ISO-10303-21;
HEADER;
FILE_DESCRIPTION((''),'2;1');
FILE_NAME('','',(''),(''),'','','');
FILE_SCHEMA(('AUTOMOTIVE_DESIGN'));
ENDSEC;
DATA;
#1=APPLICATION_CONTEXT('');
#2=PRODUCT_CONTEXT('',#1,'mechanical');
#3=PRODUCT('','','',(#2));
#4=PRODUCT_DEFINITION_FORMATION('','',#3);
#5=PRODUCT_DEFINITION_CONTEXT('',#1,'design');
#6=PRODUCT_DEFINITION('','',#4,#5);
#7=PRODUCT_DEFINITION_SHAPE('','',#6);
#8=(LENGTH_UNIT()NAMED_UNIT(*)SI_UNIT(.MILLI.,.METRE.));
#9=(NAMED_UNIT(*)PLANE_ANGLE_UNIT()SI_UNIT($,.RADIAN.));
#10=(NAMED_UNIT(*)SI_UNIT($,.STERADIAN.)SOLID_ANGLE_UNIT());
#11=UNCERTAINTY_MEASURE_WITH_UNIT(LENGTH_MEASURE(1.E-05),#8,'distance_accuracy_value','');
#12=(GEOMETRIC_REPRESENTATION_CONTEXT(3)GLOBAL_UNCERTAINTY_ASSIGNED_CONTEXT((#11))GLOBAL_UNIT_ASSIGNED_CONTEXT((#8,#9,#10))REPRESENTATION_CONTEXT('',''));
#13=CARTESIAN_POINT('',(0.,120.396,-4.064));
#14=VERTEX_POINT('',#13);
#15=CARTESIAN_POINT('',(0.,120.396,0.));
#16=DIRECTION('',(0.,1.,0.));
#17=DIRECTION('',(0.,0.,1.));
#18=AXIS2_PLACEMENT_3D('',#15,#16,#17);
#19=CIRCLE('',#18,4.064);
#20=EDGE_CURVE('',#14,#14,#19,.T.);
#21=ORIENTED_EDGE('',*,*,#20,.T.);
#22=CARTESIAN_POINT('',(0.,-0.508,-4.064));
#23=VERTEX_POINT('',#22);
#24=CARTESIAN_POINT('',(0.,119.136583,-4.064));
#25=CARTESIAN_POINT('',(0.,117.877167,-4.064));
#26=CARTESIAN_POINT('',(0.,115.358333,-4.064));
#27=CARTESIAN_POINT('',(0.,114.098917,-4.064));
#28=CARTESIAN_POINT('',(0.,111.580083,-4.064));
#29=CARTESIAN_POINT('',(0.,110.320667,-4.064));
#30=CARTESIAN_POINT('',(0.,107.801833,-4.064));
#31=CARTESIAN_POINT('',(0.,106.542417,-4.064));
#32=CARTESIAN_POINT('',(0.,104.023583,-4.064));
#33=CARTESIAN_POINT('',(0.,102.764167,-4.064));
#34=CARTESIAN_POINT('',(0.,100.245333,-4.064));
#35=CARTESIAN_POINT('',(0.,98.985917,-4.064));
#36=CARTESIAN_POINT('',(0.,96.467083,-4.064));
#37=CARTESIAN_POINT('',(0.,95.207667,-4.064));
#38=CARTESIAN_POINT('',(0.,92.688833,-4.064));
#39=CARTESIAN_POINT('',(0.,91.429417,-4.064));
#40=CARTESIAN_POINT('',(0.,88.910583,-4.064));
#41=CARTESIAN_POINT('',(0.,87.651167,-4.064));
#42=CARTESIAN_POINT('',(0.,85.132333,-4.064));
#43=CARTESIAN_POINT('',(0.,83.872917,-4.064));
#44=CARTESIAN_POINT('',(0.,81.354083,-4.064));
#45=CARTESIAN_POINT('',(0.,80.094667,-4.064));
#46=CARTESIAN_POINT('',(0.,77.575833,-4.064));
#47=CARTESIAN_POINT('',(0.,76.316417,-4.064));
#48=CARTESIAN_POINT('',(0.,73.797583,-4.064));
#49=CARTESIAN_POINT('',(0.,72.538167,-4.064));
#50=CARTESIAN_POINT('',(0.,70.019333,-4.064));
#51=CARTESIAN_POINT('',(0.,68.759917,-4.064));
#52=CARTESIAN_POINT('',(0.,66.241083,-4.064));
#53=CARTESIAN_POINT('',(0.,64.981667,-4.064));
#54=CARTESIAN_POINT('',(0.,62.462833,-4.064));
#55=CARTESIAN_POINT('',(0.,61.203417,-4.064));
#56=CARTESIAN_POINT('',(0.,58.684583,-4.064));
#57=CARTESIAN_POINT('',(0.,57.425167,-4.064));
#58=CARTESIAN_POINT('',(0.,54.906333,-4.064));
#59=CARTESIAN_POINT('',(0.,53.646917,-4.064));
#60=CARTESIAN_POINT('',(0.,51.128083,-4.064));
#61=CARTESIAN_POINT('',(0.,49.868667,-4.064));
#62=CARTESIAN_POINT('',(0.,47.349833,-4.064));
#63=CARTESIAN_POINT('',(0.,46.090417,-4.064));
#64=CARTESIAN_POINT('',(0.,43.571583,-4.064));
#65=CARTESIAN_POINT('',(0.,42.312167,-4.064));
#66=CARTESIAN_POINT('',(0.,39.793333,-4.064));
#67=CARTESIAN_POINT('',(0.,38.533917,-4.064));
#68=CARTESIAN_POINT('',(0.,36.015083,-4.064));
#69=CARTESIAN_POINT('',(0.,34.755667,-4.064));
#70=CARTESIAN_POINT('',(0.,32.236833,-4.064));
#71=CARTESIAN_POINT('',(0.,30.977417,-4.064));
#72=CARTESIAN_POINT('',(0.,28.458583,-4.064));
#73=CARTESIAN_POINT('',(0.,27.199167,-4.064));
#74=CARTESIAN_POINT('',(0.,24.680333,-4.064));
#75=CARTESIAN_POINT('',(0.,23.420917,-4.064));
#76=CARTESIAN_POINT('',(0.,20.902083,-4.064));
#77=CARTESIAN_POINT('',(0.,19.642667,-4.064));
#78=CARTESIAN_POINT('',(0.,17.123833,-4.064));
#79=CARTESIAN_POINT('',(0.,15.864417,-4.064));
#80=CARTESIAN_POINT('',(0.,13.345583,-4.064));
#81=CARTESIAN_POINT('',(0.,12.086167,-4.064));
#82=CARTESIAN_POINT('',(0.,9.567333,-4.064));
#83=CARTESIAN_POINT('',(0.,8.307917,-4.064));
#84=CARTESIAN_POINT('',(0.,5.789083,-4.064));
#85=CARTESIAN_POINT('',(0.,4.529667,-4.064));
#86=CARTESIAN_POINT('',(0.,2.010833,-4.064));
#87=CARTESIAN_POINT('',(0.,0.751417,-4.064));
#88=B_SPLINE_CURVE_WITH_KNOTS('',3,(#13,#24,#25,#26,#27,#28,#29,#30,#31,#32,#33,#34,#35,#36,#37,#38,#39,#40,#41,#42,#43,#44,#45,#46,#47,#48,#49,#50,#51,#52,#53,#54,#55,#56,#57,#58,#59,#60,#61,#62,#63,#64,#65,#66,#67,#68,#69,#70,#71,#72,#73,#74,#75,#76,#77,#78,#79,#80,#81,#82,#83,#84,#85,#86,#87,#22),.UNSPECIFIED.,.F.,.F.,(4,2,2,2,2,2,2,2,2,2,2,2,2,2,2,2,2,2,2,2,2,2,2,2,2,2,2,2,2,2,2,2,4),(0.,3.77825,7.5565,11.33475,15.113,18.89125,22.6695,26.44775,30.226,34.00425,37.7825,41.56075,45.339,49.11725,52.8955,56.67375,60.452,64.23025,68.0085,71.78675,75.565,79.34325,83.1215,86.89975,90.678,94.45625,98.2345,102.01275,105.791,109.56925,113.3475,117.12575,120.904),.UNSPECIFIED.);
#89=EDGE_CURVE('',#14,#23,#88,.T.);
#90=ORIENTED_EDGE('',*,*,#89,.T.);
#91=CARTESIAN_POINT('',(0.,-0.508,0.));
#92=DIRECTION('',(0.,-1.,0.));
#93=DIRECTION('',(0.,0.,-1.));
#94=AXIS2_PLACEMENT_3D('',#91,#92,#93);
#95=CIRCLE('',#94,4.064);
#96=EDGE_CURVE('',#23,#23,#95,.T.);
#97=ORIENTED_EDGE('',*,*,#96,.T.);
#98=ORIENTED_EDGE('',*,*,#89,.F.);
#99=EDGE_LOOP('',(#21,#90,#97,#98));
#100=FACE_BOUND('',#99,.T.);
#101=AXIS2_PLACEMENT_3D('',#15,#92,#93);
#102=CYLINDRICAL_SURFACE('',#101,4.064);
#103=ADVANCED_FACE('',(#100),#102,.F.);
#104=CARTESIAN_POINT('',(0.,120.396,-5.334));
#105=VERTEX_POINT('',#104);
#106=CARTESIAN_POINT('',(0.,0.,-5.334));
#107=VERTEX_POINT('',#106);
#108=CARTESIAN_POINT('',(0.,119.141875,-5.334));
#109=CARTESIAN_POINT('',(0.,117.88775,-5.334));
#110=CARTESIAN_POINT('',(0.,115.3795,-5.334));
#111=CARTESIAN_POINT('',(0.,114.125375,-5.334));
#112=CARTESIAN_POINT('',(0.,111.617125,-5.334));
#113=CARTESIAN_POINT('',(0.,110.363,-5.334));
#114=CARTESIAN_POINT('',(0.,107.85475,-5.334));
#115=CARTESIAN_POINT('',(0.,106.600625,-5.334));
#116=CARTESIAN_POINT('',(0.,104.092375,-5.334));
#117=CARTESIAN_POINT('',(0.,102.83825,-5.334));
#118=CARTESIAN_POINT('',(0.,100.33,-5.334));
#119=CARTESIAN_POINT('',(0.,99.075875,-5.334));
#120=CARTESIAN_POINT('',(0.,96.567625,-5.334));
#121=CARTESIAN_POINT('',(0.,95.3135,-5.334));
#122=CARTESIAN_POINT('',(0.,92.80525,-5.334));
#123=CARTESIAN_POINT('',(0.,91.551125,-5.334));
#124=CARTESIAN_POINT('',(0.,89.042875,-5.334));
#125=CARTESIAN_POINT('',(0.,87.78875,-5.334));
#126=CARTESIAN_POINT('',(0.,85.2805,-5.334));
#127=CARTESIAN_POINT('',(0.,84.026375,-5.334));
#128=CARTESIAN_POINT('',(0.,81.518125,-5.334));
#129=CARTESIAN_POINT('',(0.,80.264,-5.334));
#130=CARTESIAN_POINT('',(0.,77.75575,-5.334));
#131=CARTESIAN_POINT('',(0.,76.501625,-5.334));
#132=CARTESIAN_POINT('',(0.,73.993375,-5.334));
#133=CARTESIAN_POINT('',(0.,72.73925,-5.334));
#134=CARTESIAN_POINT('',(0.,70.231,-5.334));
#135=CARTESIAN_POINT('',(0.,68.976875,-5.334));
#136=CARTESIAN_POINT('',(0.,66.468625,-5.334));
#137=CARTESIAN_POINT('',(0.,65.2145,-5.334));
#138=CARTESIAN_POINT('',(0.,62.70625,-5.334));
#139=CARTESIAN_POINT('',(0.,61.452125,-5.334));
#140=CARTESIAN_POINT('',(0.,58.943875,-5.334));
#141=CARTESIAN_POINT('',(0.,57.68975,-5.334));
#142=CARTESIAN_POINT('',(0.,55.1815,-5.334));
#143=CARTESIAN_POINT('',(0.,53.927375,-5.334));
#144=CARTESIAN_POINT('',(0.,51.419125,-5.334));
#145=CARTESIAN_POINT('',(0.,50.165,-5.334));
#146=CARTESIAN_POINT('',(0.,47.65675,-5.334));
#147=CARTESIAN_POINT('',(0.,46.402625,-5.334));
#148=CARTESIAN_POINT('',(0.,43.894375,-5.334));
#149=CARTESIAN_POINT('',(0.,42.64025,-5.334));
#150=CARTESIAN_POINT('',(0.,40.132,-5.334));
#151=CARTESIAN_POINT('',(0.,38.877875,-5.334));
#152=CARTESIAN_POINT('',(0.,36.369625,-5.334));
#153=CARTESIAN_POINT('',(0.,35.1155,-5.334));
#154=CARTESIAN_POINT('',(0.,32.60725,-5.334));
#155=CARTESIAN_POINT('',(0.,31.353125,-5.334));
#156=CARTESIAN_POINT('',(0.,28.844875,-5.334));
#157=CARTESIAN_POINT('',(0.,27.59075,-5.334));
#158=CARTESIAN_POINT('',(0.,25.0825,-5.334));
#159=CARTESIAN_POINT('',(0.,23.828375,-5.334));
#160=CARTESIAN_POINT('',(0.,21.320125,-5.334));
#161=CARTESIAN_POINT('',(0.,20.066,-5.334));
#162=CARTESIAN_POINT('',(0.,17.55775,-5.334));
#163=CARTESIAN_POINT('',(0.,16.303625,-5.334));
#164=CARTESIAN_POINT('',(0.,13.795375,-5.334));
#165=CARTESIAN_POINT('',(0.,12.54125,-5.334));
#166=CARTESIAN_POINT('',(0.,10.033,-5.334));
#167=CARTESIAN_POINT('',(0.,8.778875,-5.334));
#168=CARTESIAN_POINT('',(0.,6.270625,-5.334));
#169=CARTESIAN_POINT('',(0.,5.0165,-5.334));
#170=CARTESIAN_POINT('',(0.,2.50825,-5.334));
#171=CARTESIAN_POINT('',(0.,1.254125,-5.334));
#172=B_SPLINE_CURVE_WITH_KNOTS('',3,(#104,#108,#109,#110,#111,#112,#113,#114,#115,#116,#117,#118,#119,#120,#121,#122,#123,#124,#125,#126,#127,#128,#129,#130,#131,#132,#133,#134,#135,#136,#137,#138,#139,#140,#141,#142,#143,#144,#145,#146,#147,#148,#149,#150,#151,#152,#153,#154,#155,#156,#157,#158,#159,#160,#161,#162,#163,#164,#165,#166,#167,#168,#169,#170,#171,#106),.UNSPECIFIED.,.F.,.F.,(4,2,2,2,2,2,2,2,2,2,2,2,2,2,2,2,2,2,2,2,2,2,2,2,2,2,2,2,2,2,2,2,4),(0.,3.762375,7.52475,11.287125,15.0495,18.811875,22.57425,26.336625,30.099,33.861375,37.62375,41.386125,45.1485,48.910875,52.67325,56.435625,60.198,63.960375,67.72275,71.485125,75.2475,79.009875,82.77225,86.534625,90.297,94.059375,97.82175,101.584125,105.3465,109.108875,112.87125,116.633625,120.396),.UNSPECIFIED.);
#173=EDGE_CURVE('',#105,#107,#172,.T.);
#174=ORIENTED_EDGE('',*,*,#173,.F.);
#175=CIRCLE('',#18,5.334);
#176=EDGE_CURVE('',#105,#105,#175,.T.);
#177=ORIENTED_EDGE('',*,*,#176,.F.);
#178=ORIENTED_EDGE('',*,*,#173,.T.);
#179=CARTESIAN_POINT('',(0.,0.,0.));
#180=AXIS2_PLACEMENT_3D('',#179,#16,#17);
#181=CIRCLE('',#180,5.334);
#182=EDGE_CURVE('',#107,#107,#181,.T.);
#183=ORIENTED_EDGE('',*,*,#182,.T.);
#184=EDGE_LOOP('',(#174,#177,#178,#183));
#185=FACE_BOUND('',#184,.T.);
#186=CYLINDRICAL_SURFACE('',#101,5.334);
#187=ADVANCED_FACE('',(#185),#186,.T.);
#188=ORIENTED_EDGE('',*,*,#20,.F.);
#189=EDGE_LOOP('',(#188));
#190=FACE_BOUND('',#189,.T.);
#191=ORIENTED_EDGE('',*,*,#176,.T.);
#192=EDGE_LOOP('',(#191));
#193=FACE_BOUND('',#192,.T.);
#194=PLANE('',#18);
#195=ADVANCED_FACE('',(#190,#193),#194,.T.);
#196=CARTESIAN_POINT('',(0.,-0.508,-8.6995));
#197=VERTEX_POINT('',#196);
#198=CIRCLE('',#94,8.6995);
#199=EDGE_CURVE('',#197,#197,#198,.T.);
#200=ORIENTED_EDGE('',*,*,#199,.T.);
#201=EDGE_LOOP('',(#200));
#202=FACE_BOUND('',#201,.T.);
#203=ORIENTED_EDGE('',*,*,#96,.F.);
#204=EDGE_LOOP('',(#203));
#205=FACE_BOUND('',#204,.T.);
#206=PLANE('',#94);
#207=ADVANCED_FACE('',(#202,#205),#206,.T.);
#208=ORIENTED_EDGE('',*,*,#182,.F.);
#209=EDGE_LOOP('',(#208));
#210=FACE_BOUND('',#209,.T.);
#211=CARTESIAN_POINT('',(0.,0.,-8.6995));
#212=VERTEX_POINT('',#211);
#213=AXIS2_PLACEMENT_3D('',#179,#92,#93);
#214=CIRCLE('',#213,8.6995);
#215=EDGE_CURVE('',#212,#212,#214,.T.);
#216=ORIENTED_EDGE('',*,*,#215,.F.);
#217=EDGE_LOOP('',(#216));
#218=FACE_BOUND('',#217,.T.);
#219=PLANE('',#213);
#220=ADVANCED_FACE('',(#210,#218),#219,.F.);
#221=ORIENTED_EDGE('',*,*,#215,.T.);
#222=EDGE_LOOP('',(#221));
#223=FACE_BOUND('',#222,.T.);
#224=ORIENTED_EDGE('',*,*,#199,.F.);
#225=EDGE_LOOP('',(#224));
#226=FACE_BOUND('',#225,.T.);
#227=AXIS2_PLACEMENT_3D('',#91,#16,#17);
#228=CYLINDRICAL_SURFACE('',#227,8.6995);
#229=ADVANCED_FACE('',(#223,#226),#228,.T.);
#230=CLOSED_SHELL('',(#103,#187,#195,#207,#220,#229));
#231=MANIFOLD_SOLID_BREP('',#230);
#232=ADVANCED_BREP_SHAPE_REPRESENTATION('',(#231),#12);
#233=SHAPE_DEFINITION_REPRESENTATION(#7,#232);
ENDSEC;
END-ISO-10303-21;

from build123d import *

# Parameters (mm, degrees)
SKETCH1_R           = 5.334
SKETCH1_R_2         = 4.064
BOSS_EXTRUDE1_DEPTH = 120.396
BOSS_EXTRUDE2_START = 0.508
SKETCH2_R           = 8.6995
SKETCH2_R_2         = 4.064
BOSS_EXTRUDE2_DEPTH = 0.508


with BuildPart() as part:
    # Sketch1 → Boss-Extrude1 (new body)
    with BuildSketch(Plane(origin=(0, 0, 0), x_dir=(1, 0, 0), z_dir=(0, 1, 0))):
        with Locations(Location((0, 0, 0), (0, 0, 90))):
            Circle(SKETCH1_R)
        with Locations(Location((0, 0, 0), (0, 0, 90))):
            Circle(SKETCH1_R_2, mode=Mode.SUBTRACT)
    extrude(amount=BOSS_EXTRUDE1_DEPTH)

    # Sketch2 → Boss-Extrude2 (add)
    with BuildSketch(Plane.XZ.offset(BOSS_EXTRUDE2_START)):
        with Locations(Location((0, 0, 0), (0, 0, 270))):
            Circle(SKETCH2_R)
        with Locations(Location((0, 0, 0), (0, 0, 270))):
            Circle(SKETCH2_R_2, mode=Mode.SUBTRACT)
    extrude(amount=-BOSS_EXTRUDE2_DEPTH)


solid = part.part
